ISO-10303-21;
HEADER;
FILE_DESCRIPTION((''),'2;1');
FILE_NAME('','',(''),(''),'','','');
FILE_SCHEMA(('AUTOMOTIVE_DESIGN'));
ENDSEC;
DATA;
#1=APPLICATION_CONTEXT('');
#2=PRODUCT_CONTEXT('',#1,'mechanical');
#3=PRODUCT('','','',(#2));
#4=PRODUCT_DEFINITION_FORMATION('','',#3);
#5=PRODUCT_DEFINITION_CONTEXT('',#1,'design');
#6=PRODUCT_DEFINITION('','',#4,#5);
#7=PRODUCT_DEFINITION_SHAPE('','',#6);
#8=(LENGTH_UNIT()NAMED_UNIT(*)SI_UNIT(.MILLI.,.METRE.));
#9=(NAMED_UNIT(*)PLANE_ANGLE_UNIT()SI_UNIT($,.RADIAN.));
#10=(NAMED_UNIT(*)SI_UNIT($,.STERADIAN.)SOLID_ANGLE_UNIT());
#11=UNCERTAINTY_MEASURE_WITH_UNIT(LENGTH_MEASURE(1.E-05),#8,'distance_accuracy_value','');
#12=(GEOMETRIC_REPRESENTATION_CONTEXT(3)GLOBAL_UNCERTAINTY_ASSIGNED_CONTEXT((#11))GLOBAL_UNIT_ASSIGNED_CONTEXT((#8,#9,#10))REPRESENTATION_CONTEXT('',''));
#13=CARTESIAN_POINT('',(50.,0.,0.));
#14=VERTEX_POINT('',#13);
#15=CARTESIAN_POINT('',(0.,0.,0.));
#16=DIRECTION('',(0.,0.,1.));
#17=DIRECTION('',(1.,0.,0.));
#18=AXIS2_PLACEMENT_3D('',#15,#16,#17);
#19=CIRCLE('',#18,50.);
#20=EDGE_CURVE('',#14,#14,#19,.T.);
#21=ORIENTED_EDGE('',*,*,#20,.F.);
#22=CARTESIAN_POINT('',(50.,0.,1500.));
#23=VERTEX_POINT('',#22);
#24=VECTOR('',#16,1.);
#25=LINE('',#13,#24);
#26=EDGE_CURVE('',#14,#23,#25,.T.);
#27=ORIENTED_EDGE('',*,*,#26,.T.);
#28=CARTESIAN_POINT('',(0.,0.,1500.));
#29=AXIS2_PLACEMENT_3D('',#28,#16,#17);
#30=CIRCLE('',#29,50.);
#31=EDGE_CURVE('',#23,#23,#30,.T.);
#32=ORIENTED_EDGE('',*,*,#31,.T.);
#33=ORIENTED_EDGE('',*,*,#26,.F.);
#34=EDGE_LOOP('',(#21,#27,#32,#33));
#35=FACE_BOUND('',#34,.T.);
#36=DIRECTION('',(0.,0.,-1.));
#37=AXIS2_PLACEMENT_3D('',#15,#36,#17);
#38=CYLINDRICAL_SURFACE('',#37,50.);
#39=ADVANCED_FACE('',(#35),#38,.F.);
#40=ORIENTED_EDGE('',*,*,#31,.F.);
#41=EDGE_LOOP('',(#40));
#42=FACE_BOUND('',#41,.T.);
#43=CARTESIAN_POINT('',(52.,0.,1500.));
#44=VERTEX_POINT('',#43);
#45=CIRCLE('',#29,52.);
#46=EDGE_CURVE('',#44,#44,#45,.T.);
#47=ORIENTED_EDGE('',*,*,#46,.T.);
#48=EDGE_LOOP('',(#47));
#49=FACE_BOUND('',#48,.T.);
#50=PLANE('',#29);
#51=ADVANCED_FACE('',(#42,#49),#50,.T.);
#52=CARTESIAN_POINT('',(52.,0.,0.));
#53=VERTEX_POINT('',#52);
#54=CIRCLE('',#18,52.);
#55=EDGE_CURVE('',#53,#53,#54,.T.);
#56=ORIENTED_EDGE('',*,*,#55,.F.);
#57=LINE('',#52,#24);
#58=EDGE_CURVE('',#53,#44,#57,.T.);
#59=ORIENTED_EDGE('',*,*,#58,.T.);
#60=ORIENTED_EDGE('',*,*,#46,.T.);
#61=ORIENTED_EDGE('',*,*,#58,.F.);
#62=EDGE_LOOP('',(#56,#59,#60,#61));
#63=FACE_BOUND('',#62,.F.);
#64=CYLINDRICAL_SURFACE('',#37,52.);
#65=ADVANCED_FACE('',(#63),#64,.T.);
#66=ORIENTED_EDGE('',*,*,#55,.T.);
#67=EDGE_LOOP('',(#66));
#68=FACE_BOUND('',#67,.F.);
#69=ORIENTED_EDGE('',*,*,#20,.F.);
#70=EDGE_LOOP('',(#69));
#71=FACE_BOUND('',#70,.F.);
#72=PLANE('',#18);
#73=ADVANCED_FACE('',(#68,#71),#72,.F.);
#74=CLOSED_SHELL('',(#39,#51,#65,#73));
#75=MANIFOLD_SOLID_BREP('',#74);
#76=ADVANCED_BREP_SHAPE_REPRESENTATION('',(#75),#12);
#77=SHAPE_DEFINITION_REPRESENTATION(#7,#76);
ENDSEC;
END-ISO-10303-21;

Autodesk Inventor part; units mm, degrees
ref_plane "YZ Plane" through (0, 0, 0) normal (1, 0, 0) x (0, 1, 0)
ref_plane "XZ Plane" through (0, 0, 0) normal (0, 1, 0) x (-1, 0, 0)
ref_plane "XY Plane" through (0, 0, 0) normal (0, 0, 1) x (1, 0, 0)
sketch "Schizzo1" plane through (0, 0, 0) normal (0, 0, 1) x (1, 0, 0)
  circle A0 centre (0, 0) radius 52
  circle A1 centre (0, 0) radius 50
  dimension "d0" = 104
  dimension "d1" = 100
extrude "Estrusione1" add sketch "Schizzo1" along normal blind 1500
properties part number "Tubo"
